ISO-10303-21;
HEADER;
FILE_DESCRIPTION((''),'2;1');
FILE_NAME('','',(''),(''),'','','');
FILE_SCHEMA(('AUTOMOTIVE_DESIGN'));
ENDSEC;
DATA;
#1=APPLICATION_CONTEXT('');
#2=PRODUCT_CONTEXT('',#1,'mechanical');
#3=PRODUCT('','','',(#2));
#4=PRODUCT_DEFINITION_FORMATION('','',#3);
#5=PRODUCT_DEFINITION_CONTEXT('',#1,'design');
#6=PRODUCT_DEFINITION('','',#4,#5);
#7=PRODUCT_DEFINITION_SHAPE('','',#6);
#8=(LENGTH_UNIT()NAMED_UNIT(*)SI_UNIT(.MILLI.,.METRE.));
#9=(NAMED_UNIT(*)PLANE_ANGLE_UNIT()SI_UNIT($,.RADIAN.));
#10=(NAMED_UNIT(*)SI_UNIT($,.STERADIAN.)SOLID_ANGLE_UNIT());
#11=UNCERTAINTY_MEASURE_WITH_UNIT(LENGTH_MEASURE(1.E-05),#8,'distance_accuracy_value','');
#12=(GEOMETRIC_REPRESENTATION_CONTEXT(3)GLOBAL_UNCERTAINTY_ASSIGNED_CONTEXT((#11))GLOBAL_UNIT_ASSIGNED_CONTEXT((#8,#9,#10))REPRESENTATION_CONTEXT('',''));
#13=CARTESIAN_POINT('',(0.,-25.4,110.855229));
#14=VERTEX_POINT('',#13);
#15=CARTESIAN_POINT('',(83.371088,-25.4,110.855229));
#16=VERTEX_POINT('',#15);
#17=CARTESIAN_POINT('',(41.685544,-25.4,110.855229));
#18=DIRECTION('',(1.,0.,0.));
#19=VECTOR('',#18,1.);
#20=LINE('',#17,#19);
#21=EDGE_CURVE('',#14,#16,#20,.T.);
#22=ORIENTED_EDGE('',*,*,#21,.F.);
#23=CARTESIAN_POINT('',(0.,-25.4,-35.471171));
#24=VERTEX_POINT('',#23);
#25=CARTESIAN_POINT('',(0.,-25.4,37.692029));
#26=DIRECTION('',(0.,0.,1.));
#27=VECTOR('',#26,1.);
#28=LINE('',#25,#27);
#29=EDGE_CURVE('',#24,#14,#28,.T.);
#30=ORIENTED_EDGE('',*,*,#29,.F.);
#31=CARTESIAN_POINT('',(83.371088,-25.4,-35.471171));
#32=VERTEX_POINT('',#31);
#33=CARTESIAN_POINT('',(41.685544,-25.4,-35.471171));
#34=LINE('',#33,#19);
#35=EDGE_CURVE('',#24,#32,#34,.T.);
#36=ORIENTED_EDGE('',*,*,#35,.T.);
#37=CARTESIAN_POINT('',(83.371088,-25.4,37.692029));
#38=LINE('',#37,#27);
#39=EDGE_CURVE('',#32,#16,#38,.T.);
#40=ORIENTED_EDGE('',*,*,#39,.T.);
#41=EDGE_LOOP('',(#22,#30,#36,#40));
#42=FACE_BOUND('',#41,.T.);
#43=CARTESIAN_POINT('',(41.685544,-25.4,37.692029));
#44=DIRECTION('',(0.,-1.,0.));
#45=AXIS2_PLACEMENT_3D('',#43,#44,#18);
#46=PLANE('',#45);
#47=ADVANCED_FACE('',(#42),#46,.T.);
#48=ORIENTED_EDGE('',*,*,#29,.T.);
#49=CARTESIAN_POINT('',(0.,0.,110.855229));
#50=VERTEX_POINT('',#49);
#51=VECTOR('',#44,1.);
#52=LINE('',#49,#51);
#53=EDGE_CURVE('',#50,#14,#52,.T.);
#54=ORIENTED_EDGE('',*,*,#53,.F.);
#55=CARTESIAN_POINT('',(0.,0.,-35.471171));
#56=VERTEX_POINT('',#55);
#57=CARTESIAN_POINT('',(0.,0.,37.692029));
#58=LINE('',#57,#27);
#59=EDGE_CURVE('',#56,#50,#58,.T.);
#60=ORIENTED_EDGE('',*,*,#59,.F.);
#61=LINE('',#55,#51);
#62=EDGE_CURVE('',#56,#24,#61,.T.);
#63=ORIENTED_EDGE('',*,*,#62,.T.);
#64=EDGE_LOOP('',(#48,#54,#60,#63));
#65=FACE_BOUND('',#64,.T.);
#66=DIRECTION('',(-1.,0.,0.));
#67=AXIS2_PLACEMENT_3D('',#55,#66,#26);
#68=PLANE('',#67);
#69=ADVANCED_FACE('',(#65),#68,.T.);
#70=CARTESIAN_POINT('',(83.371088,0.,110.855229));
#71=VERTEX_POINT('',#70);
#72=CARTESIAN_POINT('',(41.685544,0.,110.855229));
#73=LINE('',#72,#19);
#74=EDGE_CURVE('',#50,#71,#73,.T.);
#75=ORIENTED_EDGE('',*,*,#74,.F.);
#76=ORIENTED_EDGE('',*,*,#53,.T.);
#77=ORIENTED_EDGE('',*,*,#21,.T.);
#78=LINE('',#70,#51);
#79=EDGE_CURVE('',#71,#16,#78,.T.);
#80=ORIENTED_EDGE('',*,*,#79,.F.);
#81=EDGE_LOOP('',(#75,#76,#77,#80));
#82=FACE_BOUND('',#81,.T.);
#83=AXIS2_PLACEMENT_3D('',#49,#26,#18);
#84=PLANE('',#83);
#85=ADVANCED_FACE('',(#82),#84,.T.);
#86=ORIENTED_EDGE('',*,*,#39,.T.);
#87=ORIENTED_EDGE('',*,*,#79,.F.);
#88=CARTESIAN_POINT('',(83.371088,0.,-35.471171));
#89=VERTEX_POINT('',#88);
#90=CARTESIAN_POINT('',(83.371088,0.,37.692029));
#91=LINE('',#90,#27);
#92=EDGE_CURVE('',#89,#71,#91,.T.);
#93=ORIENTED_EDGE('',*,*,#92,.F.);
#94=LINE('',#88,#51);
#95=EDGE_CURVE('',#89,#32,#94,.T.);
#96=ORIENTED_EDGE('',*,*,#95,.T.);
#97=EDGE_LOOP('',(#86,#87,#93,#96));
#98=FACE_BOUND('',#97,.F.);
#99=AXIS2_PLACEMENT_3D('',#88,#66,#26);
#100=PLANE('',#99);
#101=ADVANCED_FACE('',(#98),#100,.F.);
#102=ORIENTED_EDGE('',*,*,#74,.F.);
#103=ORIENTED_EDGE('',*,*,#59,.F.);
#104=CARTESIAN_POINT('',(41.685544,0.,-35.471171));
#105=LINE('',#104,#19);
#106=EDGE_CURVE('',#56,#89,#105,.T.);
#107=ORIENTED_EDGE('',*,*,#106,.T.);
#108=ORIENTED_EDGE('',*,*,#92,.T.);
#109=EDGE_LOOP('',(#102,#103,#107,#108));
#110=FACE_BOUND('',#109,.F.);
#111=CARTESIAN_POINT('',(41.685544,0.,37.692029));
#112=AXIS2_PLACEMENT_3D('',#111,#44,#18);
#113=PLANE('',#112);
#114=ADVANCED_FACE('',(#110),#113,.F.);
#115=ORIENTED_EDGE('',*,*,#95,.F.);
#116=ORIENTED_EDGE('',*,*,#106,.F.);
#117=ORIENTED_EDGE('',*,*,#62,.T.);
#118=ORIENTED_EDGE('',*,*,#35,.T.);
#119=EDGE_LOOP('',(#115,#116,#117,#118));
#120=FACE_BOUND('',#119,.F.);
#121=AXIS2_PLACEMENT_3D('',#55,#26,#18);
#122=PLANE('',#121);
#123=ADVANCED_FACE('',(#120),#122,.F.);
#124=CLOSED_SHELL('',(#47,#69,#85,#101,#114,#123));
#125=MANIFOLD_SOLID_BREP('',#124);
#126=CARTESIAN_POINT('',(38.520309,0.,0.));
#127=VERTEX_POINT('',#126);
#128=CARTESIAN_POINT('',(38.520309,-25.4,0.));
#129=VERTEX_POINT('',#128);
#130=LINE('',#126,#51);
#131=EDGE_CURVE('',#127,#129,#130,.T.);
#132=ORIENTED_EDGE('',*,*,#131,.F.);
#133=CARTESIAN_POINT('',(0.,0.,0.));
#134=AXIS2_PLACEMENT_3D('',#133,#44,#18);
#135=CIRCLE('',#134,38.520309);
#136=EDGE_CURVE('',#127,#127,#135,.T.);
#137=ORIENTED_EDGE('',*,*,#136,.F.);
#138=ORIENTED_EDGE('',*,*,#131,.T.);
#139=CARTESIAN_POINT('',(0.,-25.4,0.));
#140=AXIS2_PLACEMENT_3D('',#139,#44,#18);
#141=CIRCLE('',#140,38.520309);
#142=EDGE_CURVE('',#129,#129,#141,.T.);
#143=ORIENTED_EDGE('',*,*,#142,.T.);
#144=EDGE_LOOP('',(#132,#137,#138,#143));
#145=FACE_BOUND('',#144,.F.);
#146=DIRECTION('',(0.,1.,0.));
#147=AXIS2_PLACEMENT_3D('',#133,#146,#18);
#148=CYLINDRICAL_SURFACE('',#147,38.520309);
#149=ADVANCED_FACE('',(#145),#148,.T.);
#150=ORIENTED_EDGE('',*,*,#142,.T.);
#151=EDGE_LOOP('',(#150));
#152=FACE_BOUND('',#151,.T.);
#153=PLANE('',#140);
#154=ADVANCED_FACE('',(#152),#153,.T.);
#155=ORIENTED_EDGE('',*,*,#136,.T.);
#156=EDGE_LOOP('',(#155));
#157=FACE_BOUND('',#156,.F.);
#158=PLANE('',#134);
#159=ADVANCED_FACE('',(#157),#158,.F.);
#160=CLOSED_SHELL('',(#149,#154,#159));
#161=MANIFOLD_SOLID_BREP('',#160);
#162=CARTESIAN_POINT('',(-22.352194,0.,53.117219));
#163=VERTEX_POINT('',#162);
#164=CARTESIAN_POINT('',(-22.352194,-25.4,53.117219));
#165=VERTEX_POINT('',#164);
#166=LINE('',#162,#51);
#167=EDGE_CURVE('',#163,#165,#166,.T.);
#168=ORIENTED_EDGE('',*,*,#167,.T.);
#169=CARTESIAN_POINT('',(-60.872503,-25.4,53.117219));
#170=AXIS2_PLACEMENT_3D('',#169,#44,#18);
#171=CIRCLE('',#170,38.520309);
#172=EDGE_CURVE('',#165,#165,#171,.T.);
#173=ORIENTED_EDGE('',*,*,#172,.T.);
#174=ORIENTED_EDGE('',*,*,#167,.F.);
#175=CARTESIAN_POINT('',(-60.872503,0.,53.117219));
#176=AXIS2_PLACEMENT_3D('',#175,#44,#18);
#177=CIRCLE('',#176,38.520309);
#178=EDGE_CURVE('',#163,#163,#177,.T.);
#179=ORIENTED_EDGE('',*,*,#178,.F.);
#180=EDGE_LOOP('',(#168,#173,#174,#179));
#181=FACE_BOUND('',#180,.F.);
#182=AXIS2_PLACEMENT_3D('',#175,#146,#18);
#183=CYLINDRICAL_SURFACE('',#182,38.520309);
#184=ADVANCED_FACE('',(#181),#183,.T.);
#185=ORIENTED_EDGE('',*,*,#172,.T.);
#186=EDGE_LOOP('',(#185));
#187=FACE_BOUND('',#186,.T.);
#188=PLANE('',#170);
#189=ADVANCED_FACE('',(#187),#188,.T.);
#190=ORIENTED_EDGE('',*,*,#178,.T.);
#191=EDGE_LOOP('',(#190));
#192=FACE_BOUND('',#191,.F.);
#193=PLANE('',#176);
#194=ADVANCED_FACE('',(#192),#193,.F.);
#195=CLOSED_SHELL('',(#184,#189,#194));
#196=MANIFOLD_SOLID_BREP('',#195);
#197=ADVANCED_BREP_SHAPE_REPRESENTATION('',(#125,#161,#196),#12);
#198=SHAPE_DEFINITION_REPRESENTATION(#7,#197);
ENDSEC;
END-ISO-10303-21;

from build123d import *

# Parameters (mm, degrees)
F0_R     = 38.520309
F1_DEPTH = 25.4
F2_W     = 83.371088
F2_H     = 146.3264
F3_DEPTH = 25.4


with BuildPart() as f1:
    # F0 (on Front) → F1 (new body)
    with BuildSketch(Plane.XZ):
        with Locations((-60.872503, 53.117219)):
            Circle(F0_R)
        Circle(F0_R)
    extrude(amount=F1_DEPTH)


with BuildPart() as f3:
    # F2 (on Front) → F3 (new body)
    with BuildSketch(Plane.XZ):
        with Locations((41.685544, 37.692029)):
            Rectangle(F2_W, F2_H)
    extrude(amount=F3_DEPTH)


solid = Compound([f1.part, f3.part])
